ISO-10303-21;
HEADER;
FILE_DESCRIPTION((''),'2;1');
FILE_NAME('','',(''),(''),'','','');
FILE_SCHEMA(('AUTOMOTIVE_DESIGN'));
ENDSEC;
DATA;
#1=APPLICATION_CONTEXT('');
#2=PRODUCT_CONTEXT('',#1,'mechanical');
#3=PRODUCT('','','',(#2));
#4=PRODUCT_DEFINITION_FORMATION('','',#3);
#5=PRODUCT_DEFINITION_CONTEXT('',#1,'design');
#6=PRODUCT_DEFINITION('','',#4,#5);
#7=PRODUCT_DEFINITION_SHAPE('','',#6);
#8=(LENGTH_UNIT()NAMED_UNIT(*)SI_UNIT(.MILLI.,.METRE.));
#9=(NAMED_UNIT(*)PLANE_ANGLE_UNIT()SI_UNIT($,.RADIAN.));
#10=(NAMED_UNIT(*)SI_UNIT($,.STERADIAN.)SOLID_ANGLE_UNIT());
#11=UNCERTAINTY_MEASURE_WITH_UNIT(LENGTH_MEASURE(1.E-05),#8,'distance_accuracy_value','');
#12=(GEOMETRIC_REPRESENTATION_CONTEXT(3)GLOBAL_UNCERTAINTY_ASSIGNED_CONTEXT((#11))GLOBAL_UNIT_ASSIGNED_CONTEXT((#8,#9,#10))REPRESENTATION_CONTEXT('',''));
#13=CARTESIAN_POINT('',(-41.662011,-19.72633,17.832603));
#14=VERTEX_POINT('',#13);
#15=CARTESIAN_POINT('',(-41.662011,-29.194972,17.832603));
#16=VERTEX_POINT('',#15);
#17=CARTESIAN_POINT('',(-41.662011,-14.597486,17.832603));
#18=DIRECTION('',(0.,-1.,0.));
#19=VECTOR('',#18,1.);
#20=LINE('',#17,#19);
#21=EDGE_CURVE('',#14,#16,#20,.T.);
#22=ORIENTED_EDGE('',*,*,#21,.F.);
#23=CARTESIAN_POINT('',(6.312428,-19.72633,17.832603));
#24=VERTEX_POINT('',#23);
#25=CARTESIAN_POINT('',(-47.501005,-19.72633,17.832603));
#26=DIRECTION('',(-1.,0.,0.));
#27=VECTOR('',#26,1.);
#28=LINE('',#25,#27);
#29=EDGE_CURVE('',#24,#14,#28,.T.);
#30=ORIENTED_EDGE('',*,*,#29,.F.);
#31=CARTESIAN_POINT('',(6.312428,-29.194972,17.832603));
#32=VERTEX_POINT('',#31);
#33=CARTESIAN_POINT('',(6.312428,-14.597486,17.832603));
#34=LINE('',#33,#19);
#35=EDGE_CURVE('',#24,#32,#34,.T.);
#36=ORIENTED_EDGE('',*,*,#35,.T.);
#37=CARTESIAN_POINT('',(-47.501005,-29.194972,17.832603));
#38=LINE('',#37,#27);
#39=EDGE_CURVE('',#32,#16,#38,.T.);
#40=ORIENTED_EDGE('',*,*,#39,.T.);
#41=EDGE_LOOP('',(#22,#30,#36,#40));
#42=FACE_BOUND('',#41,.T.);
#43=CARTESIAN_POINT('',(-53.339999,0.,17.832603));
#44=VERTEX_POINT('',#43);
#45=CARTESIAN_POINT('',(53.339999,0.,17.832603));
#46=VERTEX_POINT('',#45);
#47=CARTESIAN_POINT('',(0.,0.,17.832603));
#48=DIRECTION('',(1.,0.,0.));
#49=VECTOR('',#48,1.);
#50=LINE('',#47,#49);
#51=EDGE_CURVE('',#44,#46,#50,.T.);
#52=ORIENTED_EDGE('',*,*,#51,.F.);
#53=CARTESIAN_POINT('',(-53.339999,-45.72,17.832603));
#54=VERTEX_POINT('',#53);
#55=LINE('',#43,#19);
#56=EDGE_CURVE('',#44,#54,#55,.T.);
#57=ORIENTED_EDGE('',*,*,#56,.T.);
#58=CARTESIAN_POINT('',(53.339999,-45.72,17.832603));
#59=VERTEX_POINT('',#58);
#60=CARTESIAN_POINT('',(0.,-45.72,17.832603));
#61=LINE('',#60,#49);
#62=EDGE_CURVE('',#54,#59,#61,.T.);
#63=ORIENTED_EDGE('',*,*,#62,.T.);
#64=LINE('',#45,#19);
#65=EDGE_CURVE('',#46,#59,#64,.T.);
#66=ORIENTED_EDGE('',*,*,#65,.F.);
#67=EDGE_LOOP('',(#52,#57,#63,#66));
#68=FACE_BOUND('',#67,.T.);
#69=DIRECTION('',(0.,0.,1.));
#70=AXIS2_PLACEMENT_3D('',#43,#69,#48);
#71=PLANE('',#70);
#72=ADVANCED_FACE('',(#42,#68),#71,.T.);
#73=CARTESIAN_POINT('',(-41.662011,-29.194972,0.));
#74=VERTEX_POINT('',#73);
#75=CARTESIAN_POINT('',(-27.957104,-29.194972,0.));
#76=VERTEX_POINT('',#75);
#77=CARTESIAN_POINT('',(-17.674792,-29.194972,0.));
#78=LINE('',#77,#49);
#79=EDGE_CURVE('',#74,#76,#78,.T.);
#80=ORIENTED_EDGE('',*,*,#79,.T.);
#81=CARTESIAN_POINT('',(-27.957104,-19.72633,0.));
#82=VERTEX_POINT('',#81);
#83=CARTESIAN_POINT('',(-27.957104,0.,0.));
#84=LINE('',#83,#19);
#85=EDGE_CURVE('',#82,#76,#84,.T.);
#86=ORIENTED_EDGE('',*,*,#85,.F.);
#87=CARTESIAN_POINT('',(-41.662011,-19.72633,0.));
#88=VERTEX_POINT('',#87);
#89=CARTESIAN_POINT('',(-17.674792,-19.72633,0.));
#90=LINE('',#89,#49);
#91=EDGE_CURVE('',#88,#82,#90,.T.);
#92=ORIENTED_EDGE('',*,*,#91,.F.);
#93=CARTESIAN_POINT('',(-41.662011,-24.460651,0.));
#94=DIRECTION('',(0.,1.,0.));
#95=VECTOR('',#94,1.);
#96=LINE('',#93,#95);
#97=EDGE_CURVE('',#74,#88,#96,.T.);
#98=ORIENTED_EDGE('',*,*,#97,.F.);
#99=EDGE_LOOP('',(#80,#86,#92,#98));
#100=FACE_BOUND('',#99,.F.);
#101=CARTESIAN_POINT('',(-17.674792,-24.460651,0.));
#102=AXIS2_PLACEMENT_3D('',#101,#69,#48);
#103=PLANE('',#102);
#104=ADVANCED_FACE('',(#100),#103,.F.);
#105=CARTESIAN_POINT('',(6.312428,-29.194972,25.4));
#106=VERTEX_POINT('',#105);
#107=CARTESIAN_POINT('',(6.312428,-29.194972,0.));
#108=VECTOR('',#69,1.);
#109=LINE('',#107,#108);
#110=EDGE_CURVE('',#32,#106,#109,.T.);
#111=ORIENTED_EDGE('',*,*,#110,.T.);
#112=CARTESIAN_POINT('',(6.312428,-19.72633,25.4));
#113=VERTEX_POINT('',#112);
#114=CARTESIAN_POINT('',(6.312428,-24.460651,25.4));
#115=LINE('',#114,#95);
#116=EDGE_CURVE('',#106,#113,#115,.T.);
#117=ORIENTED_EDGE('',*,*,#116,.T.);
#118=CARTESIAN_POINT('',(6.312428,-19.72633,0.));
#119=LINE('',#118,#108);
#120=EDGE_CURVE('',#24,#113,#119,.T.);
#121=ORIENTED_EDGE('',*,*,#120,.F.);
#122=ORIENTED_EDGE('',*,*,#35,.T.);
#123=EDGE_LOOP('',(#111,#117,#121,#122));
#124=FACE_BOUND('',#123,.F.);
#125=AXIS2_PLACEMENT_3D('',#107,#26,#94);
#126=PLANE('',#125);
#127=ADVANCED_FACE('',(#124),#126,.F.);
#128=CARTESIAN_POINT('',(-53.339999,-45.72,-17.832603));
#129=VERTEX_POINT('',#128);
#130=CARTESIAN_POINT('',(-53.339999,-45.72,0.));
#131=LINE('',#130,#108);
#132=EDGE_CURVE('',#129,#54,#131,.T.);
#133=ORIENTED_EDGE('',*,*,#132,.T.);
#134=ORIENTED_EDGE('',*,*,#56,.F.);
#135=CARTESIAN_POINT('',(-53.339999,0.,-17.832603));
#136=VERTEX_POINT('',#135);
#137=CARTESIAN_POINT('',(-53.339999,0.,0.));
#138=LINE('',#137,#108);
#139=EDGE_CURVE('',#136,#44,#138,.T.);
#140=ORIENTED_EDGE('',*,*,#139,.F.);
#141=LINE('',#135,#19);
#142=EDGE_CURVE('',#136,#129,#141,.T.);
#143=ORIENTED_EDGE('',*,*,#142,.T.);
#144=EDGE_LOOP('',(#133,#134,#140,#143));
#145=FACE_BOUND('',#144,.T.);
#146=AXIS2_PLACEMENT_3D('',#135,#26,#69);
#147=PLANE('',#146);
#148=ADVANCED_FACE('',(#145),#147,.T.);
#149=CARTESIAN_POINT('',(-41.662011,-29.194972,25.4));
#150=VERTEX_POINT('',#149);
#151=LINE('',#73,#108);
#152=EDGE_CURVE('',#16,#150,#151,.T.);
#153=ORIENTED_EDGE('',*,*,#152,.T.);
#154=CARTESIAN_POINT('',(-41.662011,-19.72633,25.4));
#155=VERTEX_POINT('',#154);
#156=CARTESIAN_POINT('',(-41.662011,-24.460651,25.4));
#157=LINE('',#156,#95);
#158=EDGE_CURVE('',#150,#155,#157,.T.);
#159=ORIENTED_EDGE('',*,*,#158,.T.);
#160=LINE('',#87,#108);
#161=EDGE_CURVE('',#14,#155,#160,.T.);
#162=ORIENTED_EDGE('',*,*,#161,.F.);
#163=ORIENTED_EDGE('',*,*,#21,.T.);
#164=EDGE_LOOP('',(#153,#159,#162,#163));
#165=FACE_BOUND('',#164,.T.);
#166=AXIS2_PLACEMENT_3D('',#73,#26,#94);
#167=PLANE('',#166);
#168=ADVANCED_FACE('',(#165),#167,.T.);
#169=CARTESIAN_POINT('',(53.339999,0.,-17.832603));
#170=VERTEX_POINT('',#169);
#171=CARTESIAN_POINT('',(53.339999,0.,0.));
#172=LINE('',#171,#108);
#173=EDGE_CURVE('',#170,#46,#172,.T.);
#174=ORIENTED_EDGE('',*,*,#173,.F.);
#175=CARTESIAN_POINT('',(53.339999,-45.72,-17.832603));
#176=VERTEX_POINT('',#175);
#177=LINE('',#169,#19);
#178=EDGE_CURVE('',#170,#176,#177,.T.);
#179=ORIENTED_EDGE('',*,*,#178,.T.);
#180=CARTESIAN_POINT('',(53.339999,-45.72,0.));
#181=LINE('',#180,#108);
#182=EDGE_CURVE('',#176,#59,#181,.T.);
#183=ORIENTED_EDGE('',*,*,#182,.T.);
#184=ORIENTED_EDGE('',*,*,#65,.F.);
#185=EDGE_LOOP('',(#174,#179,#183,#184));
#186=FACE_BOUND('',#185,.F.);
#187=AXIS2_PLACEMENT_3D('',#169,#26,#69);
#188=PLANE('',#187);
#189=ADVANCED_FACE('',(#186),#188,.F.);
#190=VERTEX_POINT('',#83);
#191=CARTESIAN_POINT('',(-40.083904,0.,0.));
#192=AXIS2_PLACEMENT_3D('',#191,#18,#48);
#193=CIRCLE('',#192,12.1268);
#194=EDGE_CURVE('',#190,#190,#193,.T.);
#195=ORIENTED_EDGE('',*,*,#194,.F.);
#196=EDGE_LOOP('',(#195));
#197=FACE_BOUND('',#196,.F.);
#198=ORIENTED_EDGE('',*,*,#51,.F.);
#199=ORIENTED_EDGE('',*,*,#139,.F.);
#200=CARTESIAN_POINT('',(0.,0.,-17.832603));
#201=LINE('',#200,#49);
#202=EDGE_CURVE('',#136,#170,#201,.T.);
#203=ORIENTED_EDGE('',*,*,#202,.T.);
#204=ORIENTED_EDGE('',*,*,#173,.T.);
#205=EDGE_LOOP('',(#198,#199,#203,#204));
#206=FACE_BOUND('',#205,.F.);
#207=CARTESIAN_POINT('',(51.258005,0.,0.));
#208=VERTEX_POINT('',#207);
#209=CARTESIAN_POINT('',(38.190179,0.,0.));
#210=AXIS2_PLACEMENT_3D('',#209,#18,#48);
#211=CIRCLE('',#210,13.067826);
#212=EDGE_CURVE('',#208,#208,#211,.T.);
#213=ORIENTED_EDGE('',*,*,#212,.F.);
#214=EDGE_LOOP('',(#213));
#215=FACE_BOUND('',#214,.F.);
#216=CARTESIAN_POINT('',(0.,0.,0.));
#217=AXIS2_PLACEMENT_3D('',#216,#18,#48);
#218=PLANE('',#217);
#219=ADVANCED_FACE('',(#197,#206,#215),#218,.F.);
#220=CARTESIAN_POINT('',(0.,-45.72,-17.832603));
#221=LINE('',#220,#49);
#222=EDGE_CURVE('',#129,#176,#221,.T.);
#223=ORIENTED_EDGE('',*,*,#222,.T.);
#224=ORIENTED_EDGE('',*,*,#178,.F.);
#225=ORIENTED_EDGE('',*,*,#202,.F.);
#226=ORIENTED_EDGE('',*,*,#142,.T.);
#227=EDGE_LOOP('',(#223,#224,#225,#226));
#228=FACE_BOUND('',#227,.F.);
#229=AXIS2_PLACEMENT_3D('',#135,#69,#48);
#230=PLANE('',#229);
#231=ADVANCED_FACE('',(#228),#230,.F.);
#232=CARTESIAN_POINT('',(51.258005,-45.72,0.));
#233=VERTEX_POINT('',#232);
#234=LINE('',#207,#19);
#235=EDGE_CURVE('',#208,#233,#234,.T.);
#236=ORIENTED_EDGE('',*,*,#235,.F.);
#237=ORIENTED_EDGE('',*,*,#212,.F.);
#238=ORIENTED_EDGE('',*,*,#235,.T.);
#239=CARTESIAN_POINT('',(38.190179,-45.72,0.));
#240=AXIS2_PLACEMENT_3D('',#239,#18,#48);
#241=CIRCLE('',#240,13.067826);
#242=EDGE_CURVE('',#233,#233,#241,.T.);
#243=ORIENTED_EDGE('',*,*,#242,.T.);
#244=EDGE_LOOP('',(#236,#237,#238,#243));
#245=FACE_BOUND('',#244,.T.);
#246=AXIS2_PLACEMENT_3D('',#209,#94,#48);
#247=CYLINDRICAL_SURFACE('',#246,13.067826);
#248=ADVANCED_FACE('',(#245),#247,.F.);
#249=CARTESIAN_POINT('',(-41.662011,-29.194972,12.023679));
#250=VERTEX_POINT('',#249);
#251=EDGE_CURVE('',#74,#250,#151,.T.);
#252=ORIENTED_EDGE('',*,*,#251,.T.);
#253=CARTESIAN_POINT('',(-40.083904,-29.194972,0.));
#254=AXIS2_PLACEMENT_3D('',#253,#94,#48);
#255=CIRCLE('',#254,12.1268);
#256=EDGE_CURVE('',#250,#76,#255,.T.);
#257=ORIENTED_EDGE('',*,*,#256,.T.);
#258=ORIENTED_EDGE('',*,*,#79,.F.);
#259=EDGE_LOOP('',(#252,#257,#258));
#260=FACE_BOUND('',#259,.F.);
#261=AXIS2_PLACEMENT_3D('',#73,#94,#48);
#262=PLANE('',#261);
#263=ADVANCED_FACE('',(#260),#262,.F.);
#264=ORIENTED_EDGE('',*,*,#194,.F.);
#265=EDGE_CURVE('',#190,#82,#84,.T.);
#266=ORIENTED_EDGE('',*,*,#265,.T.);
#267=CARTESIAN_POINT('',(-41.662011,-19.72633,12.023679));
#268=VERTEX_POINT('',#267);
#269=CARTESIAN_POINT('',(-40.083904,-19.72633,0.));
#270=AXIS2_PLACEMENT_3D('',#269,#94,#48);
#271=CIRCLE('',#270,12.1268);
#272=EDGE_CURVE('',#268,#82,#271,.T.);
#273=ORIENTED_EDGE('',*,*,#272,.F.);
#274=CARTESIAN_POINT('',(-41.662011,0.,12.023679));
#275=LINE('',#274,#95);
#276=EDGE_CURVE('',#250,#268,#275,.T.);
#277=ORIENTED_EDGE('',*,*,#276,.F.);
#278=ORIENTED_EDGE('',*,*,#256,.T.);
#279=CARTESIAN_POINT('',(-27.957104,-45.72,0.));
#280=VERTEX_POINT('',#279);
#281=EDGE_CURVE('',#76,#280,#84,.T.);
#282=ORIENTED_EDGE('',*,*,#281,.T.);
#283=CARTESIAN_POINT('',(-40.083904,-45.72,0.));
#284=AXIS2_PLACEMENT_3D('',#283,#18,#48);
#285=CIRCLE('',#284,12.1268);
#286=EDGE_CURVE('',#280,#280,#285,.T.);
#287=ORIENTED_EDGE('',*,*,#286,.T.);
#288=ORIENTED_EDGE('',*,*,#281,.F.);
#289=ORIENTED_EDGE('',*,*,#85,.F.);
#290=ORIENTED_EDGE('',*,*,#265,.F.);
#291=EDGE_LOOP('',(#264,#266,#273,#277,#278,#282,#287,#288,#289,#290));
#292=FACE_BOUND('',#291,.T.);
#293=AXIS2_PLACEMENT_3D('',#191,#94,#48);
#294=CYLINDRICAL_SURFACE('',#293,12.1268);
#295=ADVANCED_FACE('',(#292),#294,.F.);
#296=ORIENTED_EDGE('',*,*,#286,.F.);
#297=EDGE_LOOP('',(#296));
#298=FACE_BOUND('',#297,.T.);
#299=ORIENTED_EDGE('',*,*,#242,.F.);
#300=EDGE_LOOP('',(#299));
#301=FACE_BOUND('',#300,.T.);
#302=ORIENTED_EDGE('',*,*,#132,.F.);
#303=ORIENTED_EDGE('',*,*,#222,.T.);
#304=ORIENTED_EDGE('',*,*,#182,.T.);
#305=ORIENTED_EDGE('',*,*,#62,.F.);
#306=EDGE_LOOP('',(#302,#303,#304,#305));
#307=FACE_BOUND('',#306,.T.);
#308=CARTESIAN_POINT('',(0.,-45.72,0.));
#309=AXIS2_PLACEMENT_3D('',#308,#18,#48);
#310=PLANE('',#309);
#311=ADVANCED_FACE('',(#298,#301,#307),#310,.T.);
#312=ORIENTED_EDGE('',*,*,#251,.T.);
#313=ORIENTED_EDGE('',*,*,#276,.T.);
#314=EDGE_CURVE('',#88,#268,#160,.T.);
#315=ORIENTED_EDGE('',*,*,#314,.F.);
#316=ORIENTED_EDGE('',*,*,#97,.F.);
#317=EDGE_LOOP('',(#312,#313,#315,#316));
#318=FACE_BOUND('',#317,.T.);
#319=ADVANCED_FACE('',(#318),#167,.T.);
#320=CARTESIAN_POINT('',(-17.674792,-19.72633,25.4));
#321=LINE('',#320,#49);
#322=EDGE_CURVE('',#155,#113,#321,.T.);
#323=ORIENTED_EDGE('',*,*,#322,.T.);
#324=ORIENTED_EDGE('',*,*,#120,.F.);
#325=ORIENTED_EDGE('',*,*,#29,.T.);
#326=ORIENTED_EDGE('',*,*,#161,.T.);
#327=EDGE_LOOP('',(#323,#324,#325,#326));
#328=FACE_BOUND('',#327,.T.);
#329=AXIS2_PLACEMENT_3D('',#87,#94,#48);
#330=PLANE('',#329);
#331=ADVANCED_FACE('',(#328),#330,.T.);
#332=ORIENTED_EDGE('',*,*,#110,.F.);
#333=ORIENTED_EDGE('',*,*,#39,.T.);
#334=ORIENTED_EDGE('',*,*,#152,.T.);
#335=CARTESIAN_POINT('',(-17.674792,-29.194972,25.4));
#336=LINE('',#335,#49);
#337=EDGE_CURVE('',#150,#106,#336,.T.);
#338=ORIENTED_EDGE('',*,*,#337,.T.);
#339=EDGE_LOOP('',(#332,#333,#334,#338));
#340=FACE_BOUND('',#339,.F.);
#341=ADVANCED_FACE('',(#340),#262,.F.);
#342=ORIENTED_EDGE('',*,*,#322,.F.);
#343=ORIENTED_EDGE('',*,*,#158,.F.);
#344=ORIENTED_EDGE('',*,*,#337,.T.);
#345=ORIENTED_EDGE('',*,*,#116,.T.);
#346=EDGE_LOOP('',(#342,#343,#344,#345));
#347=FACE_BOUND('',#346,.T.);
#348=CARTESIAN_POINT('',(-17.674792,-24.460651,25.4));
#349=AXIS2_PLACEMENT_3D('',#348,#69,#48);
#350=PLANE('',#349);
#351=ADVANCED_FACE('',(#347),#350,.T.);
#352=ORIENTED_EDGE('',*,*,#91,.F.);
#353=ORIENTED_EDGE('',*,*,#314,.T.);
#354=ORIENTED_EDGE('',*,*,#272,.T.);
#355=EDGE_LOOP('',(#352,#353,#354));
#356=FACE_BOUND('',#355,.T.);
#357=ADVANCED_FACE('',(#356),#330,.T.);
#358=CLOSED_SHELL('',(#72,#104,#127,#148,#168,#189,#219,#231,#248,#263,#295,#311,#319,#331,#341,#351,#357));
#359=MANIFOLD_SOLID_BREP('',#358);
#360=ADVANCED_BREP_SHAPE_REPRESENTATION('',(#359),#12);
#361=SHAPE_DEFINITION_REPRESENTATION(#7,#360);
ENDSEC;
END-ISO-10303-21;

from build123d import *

# Parameters (mm, degrees)
F0_W     = 106.679998
F0_H     = 35.665206
F0_R     = 12.1268
F0_R_2   = 13.067826
F1_DEPTH = 45.72
F2_W     = 47.974439
F2_H     = 9.468642
F3_DEPTH = 25.4


with BuildPart() as f1:
    # F0 (on Front) → F1 (new body)
    with BuildSketch(Plane.XZ):
        Rectangle(F0_W, F0_H)
        with Locations((-40.083904, 0)):
            Circle(F0_R, mode=Mode.SUBTRACT)
        with Locations((38.190179, 0)):
            Circle(F0_R_2, mode=Mode.SUBTRACT)
    extrude(amount=F1_DEPTH)

    # F2 (on Top) → F3 (join)
    with BuildSketch(Plane.XY):
        with Locations((-17.674792, -24.460651)):
            Rectangle(F2_W, F2_H)
    extrude(amount=F3_DEPTH)


solid = f1.part
